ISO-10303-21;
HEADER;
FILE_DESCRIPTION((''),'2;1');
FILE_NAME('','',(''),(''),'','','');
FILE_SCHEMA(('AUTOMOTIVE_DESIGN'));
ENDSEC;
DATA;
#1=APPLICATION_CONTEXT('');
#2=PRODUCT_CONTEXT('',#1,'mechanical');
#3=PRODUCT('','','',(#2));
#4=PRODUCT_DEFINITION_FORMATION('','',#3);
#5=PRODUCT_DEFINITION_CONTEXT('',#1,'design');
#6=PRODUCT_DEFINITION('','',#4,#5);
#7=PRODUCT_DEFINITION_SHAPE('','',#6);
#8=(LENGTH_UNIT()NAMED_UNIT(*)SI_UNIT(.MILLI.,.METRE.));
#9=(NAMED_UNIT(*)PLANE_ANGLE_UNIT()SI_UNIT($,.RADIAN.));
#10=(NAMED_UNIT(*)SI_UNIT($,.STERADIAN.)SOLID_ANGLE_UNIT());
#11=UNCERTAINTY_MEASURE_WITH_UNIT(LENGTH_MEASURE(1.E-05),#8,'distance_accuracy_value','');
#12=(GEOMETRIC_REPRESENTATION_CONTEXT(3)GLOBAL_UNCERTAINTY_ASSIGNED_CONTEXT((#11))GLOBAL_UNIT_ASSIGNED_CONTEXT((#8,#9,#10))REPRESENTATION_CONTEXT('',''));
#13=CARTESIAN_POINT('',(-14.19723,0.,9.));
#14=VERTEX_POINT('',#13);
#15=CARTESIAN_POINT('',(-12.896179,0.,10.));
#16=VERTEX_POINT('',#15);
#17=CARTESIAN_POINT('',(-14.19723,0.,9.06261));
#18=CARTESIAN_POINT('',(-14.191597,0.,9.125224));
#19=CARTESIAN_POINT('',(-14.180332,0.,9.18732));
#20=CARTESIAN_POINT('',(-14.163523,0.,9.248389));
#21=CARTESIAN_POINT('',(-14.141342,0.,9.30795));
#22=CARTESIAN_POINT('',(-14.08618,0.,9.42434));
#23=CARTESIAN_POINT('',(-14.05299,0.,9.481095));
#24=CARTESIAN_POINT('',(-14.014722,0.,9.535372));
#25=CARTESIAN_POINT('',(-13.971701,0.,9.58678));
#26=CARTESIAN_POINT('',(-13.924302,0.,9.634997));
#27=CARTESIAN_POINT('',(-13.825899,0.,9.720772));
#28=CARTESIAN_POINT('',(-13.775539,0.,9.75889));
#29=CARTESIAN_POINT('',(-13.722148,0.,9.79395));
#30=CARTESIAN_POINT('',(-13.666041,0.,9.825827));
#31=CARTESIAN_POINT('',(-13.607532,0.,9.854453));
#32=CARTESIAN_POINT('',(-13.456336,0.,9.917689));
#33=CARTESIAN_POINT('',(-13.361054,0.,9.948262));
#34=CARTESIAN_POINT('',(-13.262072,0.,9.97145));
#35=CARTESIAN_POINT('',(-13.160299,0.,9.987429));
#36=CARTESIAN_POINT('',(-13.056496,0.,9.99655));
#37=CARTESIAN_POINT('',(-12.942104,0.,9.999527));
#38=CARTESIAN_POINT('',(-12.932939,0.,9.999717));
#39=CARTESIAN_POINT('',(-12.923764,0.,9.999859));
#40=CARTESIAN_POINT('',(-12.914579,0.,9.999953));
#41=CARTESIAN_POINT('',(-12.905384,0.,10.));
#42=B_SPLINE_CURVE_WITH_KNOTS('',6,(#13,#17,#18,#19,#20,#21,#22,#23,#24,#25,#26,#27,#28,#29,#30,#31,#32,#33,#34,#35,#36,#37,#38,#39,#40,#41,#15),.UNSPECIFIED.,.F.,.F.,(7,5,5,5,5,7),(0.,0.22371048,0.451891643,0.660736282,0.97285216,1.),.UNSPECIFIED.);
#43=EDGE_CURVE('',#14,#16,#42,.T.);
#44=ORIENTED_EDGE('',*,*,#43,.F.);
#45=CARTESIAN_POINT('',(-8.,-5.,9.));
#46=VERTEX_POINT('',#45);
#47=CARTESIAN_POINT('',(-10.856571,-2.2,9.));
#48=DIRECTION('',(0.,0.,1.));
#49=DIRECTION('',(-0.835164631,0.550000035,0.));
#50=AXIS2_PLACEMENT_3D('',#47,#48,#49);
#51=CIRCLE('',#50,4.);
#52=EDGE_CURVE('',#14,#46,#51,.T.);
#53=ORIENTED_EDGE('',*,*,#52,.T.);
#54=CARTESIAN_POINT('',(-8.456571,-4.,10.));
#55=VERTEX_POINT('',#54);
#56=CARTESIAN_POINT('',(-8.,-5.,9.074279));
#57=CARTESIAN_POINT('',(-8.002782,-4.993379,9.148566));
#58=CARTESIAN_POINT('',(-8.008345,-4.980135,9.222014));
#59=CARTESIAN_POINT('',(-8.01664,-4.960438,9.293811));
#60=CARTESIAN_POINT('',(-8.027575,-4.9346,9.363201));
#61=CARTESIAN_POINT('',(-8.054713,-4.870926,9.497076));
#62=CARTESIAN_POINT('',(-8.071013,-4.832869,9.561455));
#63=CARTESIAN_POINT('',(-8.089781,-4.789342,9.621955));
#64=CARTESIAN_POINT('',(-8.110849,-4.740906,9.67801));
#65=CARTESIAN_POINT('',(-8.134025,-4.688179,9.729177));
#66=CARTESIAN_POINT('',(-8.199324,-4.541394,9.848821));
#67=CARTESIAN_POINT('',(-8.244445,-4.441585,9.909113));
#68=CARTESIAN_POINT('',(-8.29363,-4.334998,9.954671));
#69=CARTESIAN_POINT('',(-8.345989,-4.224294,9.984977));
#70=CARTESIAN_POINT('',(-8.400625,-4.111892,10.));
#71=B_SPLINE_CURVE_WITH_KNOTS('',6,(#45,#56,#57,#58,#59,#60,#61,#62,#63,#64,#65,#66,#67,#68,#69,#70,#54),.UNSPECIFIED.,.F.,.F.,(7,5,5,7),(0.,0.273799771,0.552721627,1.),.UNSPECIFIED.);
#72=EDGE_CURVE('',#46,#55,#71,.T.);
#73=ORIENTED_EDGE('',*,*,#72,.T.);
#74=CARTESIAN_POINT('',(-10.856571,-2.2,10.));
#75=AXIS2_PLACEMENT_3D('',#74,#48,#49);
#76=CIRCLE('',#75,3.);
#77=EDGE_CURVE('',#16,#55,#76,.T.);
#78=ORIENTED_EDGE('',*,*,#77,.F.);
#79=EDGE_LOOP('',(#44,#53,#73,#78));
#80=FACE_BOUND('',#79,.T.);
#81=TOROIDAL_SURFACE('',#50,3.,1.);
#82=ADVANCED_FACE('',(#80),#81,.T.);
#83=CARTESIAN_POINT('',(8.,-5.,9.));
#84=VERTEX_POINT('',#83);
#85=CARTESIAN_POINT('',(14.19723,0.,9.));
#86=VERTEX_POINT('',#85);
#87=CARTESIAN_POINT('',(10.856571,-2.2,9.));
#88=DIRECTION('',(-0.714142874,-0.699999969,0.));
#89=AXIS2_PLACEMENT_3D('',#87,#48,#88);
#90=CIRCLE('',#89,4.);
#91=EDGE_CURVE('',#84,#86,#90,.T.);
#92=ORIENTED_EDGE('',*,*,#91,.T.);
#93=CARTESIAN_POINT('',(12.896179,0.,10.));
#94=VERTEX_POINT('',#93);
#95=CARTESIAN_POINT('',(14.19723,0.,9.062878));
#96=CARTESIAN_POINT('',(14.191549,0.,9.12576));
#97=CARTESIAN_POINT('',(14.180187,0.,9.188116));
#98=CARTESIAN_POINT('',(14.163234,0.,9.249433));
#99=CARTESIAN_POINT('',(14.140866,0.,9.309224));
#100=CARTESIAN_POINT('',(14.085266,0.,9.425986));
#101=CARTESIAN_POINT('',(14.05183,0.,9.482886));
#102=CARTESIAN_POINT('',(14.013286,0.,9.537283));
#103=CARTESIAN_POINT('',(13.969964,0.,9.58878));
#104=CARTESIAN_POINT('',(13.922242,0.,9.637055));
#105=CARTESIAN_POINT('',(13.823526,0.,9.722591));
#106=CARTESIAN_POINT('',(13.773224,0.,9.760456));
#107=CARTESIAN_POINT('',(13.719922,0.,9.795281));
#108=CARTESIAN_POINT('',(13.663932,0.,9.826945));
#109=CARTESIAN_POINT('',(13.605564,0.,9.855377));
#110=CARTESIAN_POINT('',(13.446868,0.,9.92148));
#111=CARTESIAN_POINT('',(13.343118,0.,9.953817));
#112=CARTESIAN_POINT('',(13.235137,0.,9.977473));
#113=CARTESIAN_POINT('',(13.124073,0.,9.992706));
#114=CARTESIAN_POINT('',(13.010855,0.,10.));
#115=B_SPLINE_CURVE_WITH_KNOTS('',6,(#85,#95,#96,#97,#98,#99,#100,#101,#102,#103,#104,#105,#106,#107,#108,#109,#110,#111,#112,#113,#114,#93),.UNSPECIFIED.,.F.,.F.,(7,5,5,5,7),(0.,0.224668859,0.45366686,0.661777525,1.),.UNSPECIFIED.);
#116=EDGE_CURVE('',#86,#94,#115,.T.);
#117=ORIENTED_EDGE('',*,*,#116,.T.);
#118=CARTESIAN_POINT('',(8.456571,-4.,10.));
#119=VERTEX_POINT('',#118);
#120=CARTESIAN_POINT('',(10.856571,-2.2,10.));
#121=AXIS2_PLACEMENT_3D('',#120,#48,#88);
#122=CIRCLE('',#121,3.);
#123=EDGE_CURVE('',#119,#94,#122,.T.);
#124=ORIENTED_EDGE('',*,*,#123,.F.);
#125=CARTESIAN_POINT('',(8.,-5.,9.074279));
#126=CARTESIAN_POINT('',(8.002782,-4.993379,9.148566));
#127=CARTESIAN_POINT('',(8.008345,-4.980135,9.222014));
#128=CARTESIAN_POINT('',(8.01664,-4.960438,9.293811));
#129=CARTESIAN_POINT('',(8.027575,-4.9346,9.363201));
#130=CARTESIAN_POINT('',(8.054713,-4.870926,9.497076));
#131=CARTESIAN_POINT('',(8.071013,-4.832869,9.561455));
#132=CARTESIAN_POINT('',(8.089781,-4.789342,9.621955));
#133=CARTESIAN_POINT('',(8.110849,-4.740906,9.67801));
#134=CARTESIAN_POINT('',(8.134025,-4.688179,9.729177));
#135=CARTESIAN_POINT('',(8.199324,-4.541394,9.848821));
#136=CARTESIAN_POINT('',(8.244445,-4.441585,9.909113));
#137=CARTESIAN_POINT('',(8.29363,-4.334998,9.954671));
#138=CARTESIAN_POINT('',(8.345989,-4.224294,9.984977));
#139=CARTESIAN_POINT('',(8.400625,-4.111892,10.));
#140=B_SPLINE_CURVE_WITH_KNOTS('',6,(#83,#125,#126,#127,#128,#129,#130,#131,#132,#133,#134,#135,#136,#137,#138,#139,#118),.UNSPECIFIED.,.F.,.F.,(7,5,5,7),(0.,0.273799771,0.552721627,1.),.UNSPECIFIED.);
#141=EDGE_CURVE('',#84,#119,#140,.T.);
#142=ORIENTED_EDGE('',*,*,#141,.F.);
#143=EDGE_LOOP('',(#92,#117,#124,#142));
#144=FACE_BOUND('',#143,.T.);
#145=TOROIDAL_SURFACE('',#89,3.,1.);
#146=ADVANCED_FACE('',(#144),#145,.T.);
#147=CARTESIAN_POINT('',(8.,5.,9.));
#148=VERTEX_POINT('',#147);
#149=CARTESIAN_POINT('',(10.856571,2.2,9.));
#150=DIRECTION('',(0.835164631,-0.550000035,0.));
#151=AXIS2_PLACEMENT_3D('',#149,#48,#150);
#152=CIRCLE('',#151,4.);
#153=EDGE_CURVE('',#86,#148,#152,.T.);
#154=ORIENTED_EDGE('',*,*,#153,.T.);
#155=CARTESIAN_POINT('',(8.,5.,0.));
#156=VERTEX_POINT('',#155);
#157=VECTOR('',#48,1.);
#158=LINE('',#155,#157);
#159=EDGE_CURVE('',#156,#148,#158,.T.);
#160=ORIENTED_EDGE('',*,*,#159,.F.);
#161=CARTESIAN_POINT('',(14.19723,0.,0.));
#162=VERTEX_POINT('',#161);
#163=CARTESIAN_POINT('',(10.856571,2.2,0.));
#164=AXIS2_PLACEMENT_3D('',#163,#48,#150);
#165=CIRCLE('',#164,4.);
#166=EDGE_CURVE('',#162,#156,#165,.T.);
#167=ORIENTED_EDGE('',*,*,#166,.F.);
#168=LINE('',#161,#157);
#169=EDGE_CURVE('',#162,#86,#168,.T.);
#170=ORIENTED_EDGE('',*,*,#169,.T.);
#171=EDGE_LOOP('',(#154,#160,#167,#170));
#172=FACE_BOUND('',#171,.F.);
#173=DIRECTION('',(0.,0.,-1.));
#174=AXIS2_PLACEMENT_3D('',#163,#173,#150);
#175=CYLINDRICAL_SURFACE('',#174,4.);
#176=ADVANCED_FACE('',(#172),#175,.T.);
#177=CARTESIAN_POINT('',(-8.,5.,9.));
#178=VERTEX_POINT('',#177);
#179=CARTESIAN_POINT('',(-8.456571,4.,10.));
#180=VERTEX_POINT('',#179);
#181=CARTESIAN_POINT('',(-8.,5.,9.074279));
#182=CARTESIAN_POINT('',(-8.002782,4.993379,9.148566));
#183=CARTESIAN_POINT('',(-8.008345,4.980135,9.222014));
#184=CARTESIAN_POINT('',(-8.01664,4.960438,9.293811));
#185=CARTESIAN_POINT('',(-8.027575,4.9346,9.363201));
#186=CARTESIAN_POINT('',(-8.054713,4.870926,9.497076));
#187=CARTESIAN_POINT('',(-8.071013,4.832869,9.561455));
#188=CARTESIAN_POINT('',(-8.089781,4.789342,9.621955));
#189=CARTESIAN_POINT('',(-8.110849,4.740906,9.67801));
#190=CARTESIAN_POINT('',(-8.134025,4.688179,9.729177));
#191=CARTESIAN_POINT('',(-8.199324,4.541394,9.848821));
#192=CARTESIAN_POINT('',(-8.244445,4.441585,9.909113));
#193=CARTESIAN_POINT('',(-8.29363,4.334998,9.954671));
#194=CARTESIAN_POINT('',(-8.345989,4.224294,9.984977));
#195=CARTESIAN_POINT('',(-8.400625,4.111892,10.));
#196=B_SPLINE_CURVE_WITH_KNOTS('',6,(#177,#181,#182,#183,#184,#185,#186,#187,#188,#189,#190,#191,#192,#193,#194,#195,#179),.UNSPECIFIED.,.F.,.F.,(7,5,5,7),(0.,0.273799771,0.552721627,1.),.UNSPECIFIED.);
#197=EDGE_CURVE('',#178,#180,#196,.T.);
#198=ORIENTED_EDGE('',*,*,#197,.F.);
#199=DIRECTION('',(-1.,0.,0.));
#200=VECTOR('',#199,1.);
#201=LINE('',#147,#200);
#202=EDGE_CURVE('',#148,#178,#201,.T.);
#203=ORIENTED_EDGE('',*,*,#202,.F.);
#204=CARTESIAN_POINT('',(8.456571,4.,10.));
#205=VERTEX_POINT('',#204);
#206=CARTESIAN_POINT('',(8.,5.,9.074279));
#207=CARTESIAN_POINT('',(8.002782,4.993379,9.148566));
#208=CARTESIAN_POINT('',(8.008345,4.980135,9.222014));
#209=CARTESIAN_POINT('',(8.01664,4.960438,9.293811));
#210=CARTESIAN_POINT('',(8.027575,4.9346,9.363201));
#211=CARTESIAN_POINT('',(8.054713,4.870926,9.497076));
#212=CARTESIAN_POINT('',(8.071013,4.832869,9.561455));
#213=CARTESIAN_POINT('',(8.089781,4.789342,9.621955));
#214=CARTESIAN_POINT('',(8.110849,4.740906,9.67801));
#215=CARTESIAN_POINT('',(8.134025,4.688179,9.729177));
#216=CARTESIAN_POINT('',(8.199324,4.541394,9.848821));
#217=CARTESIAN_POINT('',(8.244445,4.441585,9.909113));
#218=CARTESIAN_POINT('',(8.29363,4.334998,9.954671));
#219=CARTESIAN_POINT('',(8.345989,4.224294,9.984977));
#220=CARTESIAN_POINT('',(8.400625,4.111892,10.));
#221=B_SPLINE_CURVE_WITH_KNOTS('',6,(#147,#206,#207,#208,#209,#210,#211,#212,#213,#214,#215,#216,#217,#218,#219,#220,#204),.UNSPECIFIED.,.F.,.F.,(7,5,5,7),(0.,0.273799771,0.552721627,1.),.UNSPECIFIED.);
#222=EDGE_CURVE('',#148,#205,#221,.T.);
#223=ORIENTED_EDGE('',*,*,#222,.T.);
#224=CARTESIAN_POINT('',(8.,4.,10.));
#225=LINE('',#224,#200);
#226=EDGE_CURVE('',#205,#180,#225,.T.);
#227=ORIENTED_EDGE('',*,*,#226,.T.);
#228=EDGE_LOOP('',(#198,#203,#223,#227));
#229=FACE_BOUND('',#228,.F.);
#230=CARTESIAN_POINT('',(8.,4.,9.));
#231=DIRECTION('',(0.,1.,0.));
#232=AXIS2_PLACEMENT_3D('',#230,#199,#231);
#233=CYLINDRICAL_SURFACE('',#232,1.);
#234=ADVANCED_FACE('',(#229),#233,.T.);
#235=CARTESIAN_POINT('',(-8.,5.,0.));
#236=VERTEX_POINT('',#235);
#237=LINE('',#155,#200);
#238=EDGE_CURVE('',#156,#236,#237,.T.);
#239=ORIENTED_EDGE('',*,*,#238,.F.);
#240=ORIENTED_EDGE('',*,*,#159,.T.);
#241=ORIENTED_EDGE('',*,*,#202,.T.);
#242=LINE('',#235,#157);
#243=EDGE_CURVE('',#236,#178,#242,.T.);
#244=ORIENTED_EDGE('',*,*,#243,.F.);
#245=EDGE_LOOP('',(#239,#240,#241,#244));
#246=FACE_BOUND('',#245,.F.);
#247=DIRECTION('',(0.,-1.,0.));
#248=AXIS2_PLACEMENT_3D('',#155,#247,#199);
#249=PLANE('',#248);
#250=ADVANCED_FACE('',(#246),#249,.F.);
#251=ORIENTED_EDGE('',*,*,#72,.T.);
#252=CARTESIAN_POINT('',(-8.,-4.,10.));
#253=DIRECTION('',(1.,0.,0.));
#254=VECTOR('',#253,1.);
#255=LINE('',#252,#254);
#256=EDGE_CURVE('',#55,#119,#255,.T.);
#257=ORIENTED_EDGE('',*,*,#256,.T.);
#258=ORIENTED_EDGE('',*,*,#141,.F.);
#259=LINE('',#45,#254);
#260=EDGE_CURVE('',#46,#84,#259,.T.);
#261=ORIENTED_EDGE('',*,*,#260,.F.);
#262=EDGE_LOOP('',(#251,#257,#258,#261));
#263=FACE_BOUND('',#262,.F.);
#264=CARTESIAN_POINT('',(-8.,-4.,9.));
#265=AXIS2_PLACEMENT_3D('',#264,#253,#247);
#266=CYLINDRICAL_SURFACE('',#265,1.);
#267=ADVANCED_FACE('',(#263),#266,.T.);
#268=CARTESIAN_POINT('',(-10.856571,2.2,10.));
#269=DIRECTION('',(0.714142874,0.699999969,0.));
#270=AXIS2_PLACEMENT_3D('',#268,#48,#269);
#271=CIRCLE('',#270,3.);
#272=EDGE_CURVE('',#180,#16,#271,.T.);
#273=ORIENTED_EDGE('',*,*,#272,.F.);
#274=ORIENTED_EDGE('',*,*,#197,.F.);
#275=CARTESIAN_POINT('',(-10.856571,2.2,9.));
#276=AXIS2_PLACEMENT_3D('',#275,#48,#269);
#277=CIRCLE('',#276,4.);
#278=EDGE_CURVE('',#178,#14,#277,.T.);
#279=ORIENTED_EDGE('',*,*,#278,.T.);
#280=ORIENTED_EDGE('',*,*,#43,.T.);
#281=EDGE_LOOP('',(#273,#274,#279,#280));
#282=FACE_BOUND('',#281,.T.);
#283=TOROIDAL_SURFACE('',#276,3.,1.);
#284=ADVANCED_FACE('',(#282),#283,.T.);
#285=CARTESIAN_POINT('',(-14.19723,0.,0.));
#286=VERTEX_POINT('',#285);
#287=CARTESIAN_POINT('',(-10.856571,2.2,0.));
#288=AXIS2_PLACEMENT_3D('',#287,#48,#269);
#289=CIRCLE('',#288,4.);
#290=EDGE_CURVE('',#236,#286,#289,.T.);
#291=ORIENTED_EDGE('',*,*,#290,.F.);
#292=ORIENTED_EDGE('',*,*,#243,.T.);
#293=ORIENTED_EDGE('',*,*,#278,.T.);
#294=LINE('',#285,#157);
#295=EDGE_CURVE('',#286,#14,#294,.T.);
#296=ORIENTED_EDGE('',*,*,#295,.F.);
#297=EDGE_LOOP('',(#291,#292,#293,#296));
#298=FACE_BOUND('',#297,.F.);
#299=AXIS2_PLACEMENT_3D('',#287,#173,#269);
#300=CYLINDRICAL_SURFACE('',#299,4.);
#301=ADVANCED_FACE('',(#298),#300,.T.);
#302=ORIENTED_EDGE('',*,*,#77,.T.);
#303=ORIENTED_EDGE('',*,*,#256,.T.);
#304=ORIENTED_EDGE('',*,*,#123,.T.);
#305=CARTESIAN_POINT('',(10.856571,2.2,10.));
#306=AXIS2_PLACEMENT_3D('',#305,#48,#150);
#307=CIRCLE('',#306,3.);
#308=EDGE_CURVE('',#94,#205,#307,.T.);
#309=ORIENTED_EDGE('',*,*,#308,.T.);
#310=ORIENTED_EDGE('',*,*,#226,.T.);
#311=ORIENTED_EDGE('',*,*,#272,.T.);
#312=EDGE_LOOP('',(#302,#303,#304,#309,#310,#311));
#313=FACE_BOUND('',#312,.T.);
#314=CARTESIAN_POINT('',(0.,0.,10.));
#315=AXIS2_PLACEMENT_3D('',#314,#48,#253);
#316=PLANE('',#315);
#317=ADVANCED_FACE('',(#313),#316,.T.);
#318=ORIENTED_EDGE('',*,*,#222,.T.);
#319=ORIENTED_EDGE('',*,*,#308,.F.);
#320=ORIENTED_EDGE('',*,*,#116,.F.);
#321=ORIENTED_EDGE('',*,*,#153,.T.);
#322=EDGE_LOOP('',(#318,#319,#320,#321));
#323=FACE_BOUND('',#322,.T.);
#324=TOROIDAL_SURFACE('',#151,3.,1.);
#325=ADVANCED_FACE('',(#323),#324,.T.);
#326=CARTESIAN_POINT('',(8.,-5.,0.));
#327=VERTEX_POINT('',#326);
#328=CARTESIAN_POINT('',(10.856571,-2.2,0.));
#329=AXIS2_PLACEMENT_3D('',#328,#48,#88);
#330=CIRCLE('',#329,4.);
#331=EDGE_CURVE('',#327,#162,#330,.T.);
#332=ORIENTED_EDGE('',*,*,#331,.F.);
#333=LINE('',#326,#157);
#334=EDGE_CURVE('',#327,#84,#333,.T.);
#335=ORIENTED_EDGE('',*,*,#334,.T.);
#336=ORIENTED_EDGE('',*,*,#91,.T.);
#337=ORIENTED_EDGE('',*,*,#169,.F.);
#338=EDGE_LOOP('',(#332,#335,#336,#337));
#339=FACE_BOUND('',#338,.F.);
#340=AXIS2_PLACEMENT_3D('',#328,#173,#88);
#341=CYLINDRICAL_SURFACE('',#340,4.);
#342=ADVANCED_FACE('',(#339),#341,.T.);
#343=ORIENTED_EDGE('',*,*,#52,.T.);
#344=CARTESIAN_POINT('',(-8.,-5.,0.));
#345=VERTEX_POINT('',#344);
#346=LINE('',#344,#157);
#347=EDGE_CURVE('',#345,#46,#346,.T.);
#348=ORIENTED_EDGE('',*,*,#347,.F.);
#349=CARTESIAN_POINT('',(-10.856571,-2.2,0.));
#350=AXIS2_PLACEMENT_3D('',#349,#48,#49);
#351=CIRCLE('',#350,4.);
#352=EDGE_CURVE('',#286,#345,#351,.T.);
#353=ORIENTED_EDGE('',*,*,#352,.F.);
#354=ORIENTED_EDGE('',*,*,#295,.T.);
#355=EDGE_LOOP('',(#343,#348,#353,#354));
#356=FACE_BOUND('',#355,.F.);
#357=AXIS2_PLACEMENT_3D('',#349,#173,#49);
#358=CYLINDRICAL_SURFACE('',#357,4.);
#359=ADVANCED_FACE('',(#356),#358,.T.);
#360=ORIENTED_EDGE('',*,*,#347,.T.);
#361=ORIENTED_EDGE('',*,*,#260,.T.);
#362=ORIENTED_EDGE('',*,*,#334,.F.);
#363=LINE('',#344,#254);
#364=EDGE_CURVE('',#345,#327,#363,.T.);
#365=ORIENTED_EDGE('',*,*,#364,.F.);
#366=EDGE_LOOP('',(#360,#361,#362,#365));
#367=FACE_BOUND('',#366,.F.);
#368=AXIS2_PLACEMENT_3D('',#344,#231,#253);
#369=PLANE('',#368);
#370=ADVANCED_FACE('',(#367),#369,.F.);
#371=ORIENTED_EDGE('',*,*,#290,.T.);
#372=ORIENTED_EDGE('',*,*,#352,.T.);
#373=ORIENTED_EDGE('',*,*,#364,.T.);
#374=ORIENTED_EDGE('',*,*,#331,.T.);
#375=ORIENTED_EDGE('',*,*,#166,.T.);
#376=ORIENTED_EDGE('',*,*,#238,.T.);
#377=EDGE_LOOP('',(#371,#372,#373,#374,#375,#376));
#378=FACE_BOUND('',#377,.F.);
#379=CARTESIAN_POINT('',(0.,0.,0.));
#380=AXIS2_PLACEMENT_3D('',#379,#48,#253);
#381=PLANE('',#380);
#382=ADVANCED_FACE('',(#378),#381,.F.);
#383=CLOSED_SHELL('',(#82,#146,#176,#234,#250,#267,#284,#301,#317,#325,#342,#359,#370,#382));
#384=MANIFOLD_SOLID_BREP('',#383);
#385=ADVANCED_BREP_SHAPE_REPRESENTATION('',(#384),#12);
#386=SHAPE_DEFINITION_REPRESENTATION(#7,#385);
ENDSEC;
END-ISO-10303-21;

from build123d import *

# Parameters (mm, degrees)
F1_DEPTH = 10
F2_R     = 1


with BuildPart() as f1:
    # F0 (on Top) → F1 (new body)
    with BuildSketch(Plane.XY):
        with BuildLine():
            Line((0, 5), (-8, 5))
            ThreePointArc((-8, 5), (-13.368261, 5.313104), (-14.19723, 0))
            ThreePointArc((-14.19723, 0), (-13.368261, -5.313104), (-8, -5))
            Line((-8, -5), (0, -5))
            Line((0, -5), (8, -5))
            ThreePointArc((8, -5), (13.368261, -5.313104), (14.19723, 0))
            ThreePointArc((14.19723, 0), (13.368261, 5.313104), (8, 5))
            Line((8, 5), (0, 5))
        make_face()
    extrude(amount=F1_DEPTH)

    # F2
    f2_edges = [f1.edges().sort_by_distance(p)[0] for p in [
        (13.368261, 5.313104, 10),
        (0, 5, 10),
        (-13.368261, 5.313104, 10),
        (-13.368261, -5.313104, 10),
        (0, -5, 10),
        (13.368261, -5.313104, 10),
    ]]
    fillet(f2_edges, radius=F2_R)


solid = f1.part
